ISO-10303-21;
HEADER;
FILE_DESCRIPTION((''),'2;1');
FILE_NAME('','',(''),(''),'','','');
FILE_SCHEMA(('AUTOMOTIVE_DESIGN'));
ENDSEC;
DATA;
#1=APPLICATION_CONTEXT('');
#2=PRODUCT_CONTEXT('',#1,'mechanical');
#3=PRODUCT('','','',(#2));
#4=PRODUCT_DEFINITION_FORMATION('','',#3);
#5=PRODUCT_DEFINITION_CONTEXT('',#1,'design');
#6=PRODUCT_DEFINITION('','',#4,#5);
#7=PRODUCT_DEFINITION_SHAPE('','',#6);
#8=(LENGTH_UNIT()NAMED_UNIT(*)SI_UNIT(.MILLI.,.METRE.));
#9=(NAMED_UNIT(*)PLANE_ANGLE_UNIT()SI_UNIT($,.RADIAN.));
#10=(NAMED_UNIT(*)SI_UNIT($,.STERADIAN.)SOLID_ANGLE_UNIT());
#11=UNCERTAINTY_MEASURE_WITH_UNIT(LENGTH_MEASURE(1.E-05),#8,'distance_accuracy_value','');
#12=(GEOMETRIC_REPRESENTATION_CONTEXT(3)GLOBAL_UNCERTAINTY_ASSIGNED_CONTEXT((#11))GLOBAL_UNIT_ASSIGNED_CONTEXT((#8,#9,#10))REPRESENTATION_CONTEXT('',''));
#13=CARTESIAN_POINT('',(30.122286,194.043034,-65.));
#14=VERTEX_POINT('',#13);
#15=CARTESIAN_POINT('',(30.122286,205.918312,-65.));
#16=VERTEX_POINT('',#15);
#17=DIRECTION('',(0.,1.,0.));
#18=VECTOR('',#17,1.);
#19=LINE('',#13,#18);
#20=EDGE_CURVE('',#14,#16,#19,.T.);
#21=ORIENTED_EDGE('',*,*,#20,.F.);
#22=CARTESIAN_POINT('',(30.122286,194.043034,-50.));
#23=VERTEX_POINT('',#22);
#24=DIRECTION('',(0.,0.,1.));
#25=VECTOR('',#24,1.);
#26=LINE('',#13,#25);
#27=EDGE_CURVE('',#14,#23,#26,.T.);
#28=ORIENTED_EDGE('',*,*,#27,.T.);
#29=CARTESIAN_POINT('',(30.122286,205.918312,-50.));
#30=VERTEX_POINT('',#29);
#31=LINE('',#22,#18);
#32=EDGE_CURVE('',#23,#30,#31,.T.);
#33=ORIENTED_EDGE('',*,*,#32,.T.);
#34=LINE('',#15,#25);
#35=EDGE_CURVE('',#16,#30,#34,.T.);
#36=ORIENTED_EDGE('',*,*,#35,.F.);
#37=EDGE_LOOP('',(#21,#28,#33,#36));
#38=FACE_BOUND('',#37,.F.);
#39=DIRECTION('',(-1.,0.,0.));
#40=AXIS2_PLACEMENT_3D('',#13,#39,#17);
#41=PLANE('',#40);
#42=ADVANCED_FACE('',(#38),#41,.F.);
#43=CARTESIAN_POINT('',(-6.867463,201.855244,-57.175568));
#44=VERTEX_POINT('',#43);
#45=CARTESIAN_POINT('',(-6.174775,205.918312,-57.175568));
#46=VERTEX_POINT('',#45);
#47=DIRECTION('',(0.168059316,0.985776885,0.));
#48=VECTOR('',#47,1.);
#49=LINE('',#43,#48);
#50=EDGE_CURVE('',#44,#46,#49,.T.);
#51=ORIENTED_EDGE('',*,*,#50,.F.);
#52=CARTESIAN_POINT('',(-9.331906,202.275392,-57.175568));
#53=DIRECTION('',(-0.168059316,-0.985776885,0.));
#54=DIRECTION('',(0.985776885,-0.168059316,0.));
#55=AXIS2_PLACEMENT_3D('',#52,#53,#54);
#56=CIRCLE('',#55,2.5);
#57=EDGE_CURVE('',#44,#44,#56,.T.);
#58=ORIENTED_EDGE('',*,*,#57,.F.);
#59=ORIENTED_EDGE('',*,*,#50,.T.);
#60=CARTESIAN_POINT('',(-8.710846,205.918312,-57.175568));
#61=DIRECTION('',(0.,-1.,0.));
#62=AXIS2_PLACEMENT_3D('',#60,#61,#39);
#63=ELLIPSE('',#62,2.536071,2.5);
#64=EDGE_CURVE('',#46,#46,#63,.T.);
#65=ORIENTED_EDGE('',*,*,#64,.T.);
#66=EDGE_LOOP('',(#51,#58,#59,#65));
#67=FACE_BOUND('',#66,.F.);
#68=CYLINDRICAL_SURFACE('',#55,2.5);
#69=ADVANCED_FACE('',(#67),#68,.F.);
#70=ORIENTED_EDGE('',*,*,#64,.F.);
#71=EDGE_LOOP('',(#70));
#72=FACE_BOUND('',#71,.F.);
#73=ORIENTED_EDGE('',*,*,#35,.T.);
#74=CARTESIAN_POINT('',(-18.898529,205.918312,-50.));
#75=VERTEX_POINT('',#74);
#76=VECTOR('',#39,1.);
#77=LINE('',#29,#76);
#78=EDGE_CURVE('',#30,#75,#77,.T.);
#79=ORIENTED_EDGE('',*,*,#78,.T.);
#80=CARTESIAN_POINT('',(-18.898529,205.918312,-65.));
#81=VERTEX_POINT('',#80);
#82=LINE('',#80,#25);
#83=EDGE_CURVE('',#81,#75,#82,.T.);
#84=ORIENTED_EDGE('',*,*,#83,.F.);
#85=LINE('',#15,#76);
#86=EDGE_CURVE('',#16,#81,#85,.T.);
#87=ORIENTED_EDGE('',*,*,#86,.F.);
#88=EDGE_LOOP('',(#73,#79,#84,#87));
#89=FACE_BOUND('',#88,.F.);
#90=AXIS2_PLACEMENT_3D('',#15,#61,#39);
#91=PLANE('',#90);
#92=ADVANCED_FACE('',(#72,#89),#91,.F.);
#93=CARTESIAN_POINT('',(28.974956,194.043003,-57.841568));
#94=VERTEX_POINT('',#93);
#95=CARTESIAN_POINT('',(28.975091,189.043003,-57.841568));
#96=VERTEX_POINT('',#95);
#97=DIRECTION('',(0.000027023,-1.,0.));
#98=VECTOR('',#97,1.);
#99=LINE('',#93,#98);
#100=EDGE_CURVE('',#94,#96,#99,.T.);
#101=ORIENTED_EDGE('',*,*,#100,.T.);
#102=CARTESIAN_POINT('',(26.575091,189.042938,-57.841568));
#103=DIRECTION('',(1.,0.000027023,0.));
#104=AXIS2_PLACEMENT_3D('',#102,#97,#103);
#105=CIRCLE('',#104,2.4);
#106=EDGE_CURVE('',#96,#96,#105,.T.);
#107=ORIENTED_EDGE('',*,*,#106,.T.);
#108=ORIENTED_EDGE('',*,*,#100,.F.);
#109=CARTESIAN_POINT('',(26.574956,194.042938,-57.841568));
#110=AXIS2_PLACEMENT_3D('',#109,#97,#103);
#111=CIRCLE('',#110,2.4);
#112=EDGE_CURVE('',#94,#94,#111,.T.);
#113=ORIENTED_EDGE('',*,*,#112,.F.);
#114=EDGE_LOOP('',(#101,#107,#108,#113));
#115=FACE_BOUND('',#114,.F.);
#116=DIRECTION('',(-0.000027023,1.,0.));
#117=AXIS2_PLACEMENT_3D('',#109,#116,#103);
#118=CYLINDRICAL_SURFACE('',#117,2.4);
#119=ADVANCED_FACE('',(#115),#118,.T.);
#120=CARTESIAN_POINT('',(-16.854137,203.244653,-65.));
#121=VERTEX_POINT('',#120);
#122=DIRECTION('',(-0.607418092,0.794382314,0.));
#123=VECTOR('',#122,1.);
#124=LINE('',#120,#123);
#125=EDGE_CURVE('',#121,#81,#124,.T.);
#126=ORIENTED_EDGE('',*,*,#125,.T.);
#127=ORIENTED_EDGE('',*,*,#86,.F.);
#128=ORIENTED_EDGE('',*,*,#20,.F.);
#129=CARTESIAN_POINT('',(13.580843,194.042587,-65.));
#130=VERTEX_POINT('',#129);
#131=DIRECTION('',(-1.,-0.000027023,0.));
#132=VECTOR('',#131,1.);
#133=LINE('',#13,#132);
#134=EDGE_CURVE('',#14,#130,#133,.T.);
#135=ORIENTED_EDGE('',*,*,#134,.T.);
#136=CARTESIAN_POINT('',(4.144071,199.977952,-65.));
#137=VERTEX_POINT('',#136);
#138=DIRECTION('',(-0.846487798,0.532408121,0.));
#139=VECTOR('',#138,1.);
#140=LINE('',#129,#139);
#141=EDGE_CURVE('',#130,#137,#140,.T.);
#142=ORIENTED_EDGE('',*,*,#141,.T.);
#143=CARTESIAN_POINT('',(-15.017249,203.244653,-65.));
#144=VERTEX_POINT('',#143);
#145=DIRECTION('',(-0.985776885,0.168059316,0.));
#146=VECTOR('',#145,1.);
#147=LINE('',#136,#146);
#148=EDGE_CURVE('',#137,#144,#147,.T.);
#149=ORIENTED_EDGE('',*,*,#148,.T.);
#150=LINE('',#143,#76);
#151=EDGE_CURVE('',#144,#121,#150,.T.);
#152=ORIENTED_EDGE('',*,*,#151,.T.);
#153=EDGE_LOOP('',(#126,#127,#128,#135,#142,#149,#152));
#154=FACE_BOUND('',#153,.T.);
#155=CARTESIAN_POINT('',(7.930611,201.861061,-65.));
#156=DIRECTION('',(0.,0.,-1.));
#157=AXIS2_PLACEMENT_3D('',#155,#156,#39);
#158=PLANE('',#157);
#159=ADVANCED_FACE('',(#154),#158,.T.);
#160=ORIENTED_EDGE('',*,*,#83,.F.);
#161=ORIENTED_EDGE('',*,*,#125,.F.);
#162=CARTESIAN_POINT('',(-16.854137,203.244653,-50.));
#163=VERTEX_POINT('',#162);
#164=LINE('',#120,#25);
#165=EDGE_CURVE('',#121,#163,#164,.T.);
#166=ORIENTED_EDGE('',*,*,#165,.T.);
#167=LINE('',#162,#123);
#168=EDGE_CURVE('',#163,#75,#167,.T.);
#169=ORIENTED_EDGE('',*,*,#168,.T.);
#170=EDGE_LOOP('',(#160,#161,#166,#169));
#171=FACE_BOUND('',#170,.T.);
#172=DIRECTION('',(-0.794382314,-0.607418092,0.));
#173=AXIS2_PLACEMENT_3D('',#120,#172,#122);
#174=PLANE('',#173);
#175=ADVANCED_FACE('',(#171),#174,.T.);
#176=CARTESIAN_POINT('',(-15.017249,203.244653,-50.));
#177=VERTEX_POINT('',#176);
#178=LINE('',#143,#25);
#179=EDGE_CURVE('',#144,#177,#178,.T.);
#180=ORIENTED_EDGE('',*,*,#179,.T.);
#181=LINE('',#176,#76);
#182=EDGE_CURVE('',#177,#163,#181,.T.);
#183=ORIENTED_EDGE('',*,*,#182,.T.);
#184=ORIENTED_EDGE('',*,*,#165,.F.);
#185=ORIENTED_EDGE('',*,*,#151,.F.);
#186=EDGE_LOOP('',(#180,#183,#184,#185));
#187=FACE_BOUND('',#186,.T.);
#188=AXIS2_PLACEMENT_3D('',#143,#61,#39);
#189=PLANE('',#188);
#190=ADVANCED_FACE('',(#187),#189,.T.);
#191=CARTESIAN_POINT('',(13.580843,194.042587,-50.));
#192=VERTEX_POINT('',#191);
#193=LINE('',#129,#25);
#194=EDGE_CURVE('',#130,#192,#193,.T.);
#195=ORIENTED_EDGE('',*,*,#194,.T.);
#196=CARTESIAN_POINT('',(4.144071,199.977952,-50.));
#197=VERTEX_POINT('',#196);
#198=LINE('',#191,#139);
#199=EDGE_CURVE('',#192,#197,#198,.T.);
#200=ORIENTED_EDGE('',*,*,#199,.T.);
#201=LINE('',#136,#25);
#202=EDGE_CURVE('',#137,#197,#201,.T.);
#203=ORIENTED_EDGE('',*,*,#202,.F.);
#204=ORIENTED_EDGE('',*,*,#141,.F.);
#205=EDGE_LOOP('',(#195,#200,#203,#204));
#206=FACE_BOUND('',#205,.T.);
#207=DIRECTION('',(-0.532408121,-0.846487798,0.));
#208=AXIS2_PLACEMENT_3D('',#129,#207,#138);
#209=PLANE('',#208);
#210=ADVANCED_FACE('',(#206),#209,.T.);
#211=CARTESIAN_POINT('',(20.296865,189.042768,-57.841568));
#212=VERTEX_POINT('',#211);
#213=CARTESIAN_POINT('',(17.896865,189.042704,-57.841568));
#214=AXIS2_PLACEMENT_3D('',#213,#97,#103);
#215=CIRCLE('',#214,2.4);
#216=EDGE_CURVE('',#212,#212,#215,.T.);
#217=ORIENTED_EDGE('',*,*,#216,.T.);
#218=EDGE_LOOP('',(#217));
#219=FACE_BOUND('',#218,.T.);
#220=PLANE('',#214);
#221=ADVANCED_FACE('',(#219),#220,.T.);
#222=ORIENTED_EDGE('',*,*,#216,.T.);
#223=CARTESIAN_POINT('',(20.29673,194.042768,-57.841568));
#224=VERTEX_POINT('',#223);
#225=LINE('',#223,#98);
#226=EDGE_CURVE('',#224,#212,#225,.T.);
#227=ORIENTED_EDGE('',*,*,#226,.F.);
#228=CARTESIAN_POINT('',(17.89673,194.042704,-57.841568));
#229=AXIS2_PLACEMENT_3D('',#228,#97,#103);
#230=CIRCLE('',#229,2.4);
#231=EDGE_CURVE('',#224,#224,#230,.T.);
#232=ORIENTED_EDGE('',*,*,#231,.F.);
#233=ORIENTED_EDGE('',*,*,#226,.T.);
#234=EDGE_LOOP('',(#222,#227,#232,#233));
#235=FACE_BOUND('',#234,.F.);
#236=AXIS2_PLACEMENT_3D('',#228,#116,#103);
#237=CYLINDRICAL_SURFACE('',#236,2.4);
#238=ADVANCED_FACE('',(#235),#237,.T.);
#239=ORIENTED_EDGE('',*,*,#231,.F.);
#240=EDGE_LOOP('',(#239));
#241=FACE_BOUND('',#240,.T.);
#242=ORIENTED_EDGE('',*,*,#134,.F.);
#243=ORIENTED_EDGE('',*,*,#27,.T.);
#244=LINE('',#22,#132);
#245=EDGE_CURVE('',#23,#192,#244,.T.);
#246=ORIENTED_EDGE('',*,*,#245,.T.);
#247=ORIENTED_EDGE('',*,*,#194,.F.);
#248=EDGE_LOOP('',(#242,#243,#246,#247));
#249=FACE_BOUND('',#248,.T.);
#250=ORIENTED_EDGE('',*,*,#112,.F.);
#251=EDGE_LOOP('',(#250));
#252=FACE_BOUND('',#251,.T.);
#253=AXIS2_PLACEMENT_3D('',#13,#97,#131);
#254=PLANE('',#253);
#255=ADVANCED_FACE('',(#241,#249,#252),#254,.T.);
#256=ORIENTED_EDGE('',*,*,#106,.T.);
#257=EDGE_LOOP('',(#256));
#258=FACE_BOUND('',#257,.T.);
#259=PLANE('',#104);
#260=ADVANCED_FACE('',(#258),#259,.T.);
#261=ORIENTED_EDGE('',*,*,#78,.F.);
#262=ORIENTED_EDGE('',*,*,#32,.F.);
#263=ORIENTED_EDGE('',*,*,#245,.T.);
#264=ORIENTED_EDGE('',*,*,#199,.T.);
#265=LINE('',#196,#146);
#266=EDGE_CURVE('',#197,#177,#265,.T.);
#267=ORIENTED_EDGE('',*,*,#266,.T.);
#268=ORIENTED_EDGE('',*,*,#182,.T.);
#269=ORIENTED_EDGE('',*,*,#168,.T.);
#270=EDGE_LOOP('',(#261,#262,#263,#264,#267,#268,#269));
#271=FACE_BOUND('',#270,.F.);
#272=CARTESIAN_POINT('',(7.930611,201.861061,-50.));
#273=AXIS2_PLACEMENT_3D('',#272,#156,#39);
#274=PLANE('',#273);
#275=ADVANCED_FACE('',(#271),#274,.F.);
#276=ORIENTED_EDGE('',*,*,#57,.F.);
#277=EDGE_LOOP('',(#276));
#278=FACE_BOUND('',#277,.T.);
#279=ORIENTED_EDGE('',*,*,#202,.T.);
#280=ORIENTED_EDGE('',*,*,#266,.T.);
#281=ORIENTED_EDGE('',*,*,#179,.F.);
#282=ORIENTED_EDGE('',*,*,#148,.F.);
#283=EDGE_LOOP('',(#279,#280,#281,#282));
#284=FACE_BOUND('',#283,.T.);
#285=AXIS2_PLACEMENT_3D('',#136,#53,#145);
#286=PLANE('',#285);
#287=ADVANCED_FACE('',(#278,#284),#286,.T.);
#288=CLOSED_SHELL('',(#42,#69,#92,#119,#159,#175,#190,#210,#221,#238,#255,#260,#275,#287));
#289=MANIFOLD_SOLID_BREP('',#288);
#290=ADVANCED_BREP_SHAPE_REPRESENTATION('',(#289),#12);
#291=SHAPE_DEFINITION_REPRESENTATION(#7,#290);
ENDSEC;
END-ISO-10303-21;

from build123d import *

# Parameters (mm, degrees)
PAD041_DEPTH    = 15
SKETCH095_R     = 2.5
POCKET045_DEPTH = 5
SKETCH096_R     = 2.4
PAD042_DEPTH    = 5


with BuildPart() as part:
    # Sketch094 → Pad041 (new body)
    with BuildSketch(Plane.XY):
        Polygon((30.122286, 194.043034), (13.580843, 194.042587), (4.144071, 199.977952), (-15.017249, 203.244653), (-16.854137, 203.244653), (-18.898529, 205.918312), (4.128235, 205.918312), (30.122286, 205.918312), (30.122286, 199.855942), align=None)
    extrude(amount=PAD041_DEPTH)

    # Sketch095 (on Face3 of Pad041) → Pocket045 (cut)
    with BuildSketch(Plane(origin=(33.2471900087, 195.0163320297, 0), x_dir=(0.9857768846, -0.1680593161, 0), z_dir=(-0.1680593161, -0.9857768846, 0))):
        with Locations((-43.193441, 7.824432)):
            Circle(SKETCH095_R)
    extrude(amount=-POCKET045_DEPTH, mode=Mode.SUBTRACT)

    # Sketch096 (on Face1 of Pocket045) → Pad042 (join)
    with BuildSketch(Plane(origin=(-0.0052436098, 194.0422198627, 0), x_dir=(0.9999999996, 2.7023e-05, 0), z_dir=(2.7023e-05, -0.9999999996, 0))):
        with Locations((17.901974, 7.158432)):
            Circle(SKETCH096_R)
        with Locations((26.5802, 7.158432)):
            Circle(SKETCH096_R)
    extrude(amount=PAD042_DEPTH)


with BuildPart() as part_1:
    # Body012 placement: moved
    add(part.part.moved(Location((0, 0, -65))))


solid = part_1.part
